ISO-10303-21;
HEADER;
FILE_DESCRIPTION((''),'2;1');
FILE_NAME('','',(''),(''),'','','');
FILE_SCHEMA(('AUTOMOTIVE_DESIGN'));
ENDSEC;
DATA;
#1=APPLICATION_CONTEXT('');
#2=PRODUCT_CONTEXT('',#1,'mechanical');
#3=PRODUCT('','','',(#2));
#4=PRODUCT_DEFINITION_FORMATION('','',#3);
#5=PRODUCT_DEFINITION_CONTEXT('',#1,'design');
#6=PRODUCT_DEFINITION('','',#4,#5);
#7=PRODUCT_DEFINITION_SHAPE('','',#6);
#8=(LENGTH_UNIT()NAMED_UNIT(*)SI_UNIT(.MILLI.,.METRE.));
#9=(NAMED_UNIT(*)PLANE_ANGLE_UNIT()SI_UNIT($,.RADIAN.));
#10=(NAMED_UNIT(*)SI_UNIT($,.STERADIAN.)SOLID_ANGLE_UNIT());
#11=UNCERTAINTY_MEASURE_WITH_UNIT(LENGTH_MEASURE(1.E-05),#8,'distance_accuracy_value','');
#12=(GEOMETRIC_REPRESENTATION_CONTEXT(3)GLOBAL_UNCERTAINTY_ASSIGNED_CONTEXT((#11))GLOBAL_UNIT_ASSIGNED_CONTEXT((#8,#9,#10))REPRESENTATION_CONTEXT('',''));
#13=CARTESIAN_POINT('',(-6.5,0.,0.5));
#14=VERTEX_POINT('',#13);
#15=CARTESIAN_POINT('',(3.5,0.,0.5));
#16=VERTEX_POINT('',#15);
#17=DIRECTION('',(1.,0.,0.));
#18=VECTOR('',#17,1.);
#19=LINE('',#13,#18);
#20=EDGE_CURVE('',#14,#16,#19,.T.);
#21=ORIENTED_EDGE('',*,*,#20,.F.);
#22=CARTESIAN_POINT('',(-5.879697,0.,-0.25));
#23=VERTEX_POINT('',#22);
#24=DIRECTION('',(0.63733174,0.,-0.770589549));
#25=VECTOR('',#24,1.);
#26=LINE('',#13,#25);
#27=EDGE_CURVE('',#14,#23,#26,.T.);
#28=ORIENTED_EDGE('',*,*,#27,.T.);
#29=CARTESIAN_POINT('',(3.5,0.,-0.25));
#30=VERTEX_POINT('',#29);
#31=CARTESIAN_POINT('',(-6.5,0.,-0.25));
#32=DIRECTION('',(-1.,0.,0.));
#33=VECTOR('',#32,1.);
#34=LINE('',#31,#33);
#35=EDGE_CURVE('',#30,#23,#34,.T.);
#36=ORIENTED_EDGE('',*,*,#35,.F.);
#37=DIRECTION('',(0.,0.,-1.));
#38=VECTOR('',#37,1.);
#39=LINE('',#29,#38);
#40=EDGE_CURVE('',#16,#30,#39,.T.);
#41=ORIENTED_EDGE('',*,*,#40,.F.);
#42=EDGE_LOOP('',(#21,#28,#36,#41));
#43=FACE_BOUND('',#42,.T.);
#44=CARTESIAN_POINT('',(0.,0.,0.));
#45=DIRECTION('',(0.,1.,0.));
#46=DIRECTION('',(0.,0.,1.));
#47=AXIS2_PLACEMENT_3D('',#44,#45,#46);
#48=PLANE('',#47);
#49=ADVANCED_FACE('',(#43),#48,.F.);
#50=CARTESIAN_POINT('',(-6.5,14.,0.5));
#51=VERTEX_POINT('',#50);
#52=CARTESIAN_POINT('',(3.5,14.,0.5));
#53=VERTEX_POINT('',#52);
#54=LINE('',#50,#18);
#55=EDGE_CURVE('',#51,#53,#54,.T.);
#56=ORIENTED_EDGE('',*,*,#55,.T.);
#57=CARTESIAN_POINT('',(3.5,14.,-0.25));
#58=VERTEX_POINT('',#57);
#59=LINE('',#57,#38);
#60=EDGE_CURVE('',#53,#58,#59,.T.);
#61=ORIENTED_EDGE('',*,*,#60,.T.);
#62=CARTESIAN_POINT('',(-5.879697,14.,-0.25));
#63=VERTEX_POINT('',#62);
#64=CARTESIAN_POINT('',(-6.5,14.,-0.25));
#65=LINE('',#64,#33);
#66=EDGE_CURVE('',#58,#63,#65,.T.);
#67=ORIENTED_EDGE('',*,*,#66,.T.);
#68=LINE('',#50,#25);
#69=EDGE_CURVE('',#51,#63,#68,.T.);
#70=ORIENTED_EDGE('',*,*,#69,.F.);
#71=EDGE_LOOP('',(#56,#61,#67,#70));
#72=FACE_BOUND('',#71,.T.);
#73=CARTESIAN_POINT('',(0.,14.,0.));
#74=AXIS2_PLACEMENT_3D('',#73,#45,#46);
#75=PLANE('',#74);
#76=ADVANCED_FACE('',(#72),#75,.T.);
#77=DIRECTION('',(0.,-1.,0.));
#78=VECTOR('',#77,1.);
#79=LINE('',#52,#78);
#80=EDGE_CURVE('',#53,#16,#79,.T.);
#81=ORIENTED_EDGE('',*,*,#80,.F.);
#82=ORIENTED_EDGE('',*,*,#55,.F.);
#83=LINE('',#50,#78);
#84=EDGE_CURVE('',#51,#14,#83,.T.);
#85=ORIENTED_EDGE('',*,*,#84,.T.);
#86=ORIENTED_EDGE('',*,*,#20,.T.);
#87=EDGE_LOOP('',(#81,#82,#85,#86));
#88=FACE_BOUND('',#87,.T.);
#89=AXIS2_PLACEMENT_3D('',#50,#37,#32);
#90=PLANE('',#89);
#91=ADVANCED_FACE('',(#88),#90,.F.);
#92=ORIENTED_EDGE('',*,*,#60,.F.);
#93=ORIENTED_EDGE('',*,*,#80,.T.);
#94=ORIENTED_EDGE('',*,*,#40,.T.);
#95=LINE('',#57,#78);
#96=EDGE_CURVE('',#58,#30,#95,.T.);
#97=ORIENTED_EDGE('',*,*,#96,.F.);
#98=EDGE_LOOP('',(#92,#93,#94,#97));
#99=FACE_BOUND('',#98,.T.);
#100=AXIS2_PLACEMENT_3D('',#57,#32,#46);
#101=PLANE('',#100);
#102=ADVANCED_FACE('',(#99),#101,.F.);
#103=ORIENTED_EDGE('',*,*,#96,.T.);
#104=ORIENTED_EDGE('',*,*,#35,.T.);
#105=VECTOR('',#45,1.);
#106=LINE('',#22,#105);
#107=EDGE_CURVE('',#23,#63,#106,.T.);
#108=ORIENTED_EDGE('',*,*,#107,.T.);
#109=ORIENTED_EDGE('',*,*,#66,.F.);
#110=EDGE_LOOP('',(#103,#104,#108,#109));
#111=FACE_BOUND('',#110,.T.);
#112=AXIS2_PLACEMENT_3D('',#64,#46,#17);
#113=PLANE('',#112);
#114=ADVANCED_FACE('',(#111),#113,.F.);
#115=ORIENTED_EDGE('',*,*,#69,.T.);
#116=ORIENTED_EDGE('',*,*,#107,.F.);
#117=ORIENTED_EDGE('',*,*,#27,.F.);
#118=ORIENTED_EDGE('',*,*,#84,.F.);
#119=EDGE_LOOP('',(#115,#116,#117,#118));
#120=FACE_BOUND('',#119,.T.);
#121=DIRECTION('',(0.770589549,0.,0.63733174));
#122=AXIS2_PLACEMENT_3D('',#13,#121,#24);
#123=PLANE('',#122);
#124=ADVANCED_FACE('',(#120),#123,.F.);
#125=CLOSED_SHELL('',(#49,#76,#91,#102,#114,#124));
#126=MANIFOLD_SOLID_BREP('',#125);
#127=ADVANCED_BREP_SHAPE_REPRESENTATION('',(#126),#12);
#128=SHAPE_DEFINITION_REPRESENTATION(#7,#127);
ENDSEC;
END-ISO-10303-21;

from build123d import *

# Parameters (mm, degrees)
SKETCH1_W           = 10
SKETCH1_H           = 0.75
BOSS_EXTRUDE1_DEPTH = 14
CUT_EXTRUDE1_DEPTH  = 16.443445211


with BuildPart() as part:
    # Sketch1 → Boss-Extrude1 (new body)
    with BuildSketch(Plane(origin=(0, 0, 0), x_dir=(1, 0, 0), z_dir=(0, 1, 0))):
        with Locations((-1.5, -0.125)):
            Rectangle(SKETCH1_W, SKETCH1_H)
    extrude(amount=BOSS_EXTRUDE1_DEPTH)

    # Sketch2 → Cut-Extrude1 (cut, through all)
    with BuildSketch(Plane(origin=(0, 14, 0), x_dir=(1, 0, 0), z_dir=(0, 1, 0))):
        Polygon((-6.5, -0.5), (-5.879697265, 0.25), (-6.5, 0.25), align=None)
    extrude(amount=-CUT_EXTRUDE1_DEPTH, mode=Mode.SUBTRACT)


solid = part.part
